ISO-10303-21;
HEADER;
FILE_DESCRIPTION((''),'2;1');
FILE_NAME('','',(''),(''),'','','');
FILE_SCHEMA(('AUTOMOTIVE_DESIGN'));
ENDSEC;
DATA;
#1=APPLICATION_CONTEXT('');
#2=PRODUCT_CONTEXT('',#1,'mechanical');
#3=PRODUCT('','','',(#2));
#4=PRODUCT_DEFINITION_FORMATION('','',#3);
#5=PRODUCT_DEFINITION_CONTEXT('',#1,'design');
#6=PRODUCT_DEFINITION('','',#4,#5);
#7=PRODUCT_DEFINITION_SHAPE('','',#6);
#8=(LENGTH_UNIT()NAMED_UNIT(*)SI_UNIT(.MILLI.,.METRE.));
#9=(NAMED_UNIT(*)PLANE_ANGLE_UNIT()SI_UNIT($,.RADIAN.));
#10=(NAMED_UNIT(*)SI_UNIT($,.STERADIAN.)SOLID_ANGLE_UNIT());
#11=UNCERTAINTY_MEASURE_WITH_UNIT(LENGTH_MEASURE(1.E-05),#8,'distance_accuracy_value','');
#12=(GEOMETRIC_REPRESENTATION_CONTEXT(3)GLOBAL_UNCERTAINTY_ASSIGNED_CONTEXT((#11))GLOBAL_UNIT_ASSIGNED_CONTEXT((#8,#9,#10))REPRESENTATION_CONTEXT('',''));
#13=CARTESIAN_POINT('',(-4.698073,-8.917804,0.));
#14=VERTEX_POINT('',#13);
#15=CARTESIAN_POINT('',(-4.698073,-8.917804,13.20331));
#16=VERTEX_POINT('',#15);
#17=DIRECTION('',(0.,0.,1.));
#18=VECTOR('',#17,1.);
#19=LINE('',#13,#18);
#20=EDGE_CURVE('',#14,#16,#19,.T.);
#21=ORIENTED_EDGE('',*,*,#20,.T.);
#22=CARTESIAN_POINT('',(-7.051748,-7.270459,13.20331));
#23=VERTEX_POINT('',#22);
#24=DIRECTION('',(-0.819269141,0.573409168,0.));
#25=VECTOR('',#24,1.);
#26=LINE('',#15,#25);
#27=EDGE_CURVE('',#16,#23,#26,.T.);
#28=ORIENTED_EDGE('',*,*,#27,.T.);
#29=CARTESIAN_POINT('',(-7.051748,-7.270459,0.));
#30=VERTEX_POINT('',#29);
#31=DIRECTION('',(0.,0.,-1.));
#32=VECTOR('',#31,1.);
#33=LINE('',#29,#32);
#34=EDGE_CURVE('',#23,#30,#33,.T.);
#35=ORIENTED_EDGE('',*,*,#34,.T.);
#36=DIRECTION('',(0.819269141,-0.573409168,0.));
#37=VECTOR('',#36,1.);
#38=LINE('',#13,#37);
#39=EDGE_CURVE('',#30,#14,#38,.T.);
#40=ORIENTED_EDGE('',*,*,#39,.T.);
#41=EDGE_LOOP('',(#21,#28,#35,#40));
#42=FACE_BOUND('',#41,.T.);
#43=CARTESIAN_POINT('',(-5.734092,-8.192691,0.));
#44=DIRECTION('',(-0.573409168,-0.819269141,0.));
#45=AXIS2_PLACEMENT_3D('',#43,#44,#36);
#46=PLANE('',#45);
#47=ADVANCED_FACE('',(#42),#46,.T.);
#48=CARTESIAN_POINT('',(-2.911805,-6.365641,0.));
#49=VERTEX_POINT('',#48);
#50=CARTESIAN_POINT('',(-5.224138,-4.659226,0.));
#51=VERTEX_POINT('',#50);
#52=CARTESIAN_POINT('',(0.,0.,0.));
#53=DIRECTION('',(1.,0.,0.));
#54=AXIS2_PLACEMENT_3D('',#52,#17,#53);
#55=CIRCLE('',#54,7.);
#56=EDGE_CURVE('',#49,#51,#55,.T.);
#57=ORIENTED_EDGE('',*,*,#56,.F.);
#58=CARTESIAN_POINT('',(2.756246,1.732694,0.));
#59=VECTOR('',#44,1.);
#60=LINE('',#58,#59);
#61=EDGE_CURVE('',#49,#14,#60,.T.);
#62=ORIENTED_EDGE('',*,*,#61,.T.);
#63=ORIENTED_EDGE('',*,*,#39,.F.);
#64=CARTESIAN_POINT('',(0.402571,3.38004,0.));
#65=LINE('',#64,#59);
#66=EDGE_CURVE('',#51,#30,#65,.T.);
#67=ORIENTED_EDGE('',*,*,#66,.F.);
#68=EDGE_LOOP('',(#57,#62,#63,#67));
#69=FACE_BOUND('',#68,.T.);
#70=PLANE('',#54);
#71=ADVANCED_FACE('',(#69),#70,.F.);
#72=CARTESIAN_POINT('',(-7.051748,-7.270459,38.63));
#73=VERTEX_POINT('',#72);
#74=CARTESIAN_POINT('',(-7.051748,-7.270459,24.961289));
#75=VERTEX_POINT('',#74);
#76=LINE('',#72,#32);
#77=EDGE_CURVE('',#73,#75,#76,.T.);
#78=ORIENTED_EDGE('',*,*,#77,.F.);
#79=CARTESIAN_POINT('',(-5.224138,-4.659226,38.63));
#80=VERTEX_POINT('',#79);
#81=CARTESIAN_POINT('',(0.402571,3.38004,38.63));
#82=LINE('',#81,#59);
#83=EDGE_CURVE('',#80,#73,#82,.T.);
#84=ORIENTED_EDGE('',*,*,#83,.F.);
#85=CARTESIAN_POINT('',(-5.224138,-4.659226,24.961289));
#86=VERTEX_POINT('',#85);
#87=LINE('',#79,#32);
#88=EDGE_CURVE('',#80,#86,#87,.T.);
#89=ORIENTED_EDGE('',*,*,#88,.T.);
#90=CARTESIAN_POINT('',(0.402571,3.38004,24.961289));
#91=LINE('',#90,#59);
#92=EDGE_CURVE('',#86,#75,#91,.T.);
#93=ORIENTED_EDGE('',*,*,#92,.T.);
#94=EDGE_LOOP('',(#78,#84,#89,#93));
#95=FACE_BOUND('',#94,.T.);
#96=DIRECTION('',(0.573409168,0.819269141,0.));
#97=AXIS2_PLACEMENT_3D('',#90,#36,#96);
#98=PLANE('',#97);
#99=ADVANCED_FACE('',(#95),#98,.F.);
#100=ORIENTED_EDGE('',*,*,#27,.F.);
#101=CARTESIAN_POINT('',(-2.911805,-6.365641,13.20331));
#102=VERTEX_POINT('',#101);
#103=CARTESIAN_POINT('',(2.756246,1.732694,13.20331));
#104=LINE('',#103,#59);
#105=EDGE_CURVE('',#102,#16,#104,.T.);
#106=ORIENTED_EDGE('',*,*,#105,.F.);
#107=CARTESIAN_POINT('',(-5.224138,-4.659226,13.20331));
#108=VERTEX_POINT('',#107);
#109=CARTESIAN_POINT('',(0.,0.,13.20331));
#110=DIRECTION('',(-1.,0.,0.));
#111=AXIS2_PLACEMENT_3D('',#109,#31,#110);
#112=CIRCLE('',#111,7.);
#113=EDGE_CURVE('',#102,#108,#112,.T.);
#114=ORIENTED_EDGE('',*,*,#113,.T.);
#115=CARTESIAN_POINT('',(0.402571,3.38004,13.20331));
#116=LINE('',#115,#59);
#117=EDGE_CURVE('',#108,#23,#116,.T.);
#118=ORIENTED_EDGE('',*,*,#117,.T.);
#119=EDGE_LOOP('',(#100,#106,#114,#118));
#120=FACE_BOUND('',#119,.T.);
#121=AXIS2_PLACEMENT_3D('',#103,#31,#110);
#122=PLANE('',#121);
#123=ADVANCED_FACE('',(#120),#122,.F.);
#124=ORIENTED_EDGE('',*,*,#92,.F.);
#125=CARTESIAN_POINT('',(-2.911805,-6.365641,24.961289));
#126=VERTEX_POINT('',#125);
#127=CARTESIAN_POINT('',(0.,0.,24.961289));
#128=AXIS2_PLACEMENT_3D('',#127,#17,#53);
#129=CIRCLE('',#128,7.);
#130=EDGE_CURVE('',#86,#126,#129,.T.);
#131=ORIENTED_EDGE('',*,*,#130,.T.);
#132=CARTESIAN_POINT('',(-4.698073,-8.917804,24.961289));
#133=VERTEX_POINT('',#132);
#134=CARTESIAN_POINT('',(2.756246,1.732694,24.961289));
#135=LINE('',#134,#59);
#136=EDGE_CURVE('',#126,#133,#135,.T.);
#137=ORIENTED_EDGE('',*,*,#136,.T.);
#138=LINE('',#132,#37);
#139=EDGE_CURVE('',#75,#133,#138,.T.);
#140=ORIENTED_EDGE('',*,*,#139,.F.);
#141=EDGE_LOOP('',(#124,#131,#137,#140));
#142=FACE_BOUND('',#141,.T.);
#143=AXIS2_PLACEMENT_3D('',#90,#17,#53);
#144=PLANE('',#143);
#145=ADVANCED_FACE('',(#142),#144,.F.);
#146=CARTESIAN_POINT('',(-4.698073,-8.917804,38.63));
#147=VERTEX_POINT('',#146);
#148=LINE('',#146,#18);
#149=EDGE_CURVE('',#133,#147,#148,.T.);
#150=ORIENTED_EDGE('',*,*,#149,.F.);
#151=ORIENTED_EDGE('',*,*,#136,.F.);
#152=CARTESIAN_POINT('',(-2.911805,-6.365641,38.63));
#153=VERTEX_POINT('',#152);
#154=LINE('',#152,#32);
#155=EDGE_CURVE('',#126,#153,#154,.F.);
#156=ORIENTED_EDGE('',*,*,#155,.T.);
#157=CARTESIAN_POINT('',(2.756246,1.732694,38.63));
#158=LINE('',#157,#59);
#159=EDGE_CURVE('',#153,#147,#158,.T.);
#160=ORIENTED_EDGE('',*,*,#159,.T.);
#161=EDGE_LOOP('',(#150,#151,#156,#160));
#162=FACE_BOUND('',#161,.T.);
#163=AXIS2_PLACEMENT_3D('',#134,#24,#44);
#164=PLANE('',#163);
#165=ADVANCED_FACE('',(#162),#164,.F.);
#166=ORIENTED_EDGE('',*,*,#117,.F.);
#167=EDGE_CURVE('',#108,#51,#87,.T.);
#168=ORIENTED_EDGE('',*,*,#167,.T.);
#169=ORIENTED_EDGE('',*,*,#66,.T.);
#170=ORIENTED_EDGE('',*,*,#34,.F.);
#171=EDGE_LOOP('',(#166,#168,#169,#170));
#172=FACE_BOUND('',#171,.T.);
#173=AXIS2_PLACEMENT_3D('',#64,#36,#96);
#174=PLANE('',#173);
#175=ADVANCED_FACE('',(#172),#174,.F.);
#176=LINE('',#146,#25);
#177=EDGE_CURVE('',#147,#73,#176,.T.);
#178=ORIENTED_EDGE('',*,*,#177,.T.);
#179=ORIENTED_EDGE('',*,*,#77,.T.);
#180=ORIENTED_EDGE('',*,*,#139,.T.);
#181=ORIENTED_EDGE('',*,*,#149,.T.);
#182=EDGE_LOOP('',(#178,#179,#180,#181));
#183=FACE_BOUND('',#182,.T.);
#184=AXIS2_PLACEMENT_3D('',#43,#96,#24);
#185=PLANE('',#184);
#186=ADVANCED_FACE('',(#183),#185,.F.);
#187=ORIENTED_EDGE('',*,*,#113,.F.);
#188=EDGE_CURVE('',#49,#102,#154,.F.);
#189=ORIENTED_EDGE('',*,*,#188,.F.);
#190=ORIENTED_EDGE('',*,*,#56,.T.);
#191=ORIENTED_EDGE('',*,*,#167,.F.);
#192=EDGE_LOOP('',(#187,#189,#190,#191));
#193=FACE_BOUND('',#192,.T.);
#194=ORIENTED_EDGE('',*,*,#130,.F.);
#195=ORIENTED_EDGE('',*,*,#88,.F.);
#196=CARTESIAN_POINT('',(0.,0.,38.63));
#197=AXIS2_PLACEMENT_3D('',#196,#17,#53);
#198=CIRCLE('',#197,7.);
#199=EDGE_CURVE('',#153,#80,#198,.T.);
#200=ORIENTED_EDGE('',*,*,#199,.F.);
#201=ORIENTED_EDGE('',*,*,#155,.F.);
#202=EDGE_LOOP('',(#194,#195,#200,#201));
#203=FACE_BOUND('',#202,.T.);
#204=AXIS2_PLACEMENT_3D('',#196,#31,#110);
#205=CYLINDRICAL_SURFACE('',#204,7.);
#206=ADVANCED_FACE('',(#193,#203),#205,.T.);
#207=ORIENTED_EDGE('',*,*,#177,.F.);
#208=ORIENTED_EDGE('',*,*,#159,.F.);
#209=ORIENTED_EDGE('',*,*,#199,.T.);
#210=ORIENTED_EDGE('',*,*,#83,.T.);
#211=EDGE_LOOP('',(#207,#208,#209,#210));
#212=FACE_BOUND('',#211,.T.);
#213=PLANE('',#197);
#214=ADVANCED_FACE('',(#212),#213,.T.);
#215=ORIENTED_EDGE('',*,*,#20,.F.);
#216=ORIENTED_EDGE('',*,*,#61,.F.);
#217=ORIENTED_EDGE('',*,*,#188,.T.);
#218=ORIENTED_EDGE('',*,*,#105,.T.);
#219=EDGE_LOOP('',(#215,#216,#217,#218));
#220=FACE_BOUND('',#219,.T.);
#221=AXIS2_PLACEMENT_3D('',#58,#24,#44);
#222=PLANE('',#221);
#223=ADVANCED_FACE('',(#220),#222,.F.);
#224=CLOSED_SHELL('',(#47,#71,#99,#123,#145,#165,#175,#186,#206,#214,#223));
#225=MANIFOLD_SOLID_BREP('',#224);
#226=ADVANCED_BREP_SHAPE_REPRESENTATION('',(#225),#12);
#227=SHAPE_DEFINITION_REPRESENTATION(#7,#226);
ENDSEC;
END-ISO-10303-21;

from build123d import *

# Parameters (mm, degrees)
SKETCH1_R             = 7
BOSS_EXTRUDE1_DEPTH   = 38.63
SKETCH2_W             = 2.872896842
SKETCH2_H             = 13.203310437
BOSS_EXTRUDE2_DEPTH   = 3
SKETCH2_H_2           = 13.668710778
BOSS_EXTRUDE2_2_DEPTH = 3
SKETCH3_W             = 2.872896842
SKETCH3_H             = 13.668710778
SKETCH3_H_2           = 13.203310437
BOSS_EXTRUDE3_DEPTH   = 10


with BuildPart() as part:
    # Sketch1 → Boss-Extrude1 (new body)
    with BuildSketch(Plane.XY):
        Circle(SKETCH1_R)
    extrude(amount=BOSS_EXTRUDE1_DEPTH)



with BuildPart() as body_2:
    # Sketch2 → Boss-Extrude2 (new body)
    with BuildSketch(Plane(origin=(-4.013864175, -5.73488399, 0), x_dir=(-0.819269141, 0.573409168, 0), z_dir=(-0.573409168, -0.819269141, 0))):
        with Locations((0.171883624, -6.601655219)):
            Rectangle(SKETCH2_W, SKETCH2_H)
    extrude(amount=BOSS_EXTRUDE2_DEPTH)


with BuildPart() as body_3:
    # Sketch2 → Boss-Extrude2 2 (new body)
    with BuildSketch(Plane(origin=(-4.013864175, -5.73488399, 0), x_dir=(-0.819269141, 0.573409168, 0), z_dir=(-0.573409168, -0.819269141, 0))):
        with Locations((0.171883624, -31.795644611)):
            Rectangle(SKETCH2_W, SKETCH2_H_2)
    extrude(amount=BOSS_EXTRUDE2_2_DEPTH)


with BuildPart() as part_1:
    add(part.part)

    add(body_2.part)  # Boss-Extrude3 merges body 2

    add(body_3.part)  # Boss-Extrude3 merges body 3
    # Sketch3 → Boss-Extrude3 (add)
    with BuildSketch(Plane(origin=(-4.013864175, -5.73488399, 0), x_dir=(0.819269141, -0.573409168, 0), z_dir=(0.573409168, 0.819269141, 0))):
        with Locations((-0.171883624, -31.795644611)):
            Rectangle(SKETCH3_W, SKETCH3_H)
        with Locations((-0.171883624, -6.601655219)):
            Rectangle(SKETCH3_W, SKETCH3_H_2)
    extrude(amount=BOSS_EXTRUDE3_DEPTH)


solid = part_1.part
